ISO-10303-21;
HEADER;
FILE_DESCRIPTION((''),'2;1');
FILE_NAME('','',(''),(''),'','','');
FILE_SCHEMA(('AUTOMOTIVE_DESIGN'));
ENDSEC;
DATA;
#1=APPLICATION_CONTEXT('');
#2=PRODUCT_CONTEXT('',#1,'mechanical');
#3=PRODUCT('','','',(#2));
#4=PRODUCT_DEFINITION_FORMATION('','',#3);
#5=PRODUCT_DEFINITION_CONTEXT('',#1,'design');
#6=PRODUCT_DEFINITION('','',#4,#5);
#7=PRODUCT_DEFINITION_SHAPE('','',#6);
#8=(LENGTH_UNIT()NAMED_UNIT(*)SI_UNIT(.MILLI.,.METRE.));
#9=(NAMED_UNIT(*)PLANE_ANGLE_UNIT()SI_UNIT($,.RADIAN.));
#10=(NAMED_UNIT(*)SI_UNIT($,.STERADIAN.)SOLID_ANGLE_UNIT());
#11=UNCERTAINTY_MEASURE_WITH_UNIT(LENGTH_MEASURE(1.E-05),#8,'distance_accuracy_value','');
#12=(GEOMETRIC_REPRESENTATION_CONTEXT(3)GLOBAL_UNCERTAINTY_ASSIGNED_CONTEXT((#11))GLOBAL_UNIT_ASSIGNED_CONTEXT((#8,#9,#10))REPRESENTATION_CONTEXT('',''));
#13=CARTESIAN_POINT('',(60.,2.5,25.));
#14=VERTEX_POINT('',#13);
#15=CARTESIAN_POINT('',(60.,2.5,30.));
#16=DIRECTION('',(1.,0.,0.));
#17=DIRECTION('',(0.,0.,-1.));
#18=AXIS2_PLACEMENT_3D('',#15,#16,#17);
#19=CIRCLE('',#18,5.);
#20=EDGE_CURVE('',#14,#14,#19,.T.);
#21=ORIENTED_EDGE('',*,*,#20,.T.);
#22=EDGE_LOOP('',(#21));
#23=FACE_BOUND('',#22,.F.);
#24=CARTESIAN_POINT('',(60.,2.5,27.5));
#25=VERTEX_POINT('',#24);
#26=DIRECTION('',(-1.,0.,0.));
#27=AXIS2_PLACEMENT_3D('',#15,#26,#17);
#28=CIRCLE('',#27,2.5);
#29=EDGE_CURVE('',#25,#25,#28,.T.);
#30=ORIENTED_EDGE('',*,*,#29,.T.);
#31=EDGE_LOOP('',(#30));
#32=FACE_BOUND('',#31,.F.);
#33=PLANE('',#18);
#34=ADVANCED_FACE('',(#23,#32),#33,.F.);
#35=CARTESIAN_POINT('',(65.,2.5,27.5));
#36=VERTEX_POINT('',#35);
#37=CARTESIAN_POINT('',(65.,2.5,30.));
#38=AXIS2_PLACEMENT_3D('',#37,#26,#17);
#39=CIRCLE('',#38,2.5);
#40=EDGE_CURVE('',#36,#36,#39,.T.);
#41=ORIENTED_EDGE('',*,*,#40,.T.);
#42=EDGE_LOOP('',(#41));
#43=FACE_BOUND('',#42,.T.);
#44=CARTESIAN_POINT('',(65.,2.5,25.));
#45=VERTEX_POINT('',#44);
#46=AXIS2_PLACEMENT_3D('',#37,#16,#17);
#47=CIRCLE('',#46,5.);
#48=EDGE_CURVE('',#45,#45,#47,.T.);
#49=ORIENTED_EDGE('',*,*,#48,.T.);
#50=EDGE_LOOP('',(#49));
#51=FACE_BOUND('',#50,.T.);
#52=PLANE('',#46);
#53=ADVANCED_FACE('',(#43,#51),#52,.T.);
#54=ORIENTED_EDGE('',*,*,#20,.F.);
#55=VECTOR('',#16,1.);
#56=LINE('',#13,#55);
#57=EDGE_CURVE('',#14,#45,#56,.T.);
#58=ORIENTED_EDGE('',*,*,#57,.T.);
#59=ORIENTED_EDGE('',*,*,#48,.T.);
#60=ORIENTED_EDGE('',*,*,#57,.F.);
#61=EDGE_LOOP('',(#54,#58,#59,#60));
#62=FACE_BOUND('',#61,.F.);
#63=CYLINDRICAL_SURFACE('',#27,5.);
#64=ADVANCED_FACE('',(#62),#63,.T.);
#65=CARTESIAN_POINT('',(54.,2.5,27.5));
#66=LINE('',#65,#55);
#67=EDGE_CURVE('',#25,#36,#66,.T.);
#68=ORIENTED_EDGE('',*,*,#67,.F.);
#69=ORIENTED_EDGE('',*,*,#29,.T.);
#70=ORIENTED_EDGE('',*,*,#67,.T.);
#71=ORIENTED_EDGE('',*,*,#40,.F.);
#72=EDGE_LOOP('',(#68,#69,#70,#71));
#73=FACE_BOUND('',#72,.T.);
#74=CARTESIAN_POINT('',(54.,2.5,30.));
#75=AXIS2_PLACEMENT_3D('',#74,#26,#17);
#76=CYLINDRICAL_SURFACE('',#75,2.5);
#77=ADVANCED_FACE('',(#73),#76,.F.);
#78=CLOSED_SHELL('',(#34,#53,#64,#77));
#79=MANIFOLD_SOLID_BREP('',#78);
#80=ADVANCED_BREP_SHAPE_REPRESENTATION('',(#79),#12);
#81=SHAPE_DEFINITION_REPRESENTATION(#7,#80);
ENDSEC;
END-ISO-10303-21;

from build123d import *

# Parameters (mm, degrees)
CYLINDER017_R          = 2.5
CYLINDER017_DEPTH      = 25
CYLINDER016_R          = 5
CYLINDER016_DEPTH      = 5
CUT010_PLACEMENT_ANGLE = 90


with BuildPart() as rotor007:
    # Cylinder017 → Cylinder017 (new body)
    with BuildSketch(Plane(origin=(25, 25, 43), x_dir=(1, 0, 0), z_dir=(0, 0, 1))):
        Circle(CYLINDER017_R)
    extrude(amount=CYLINDER017_DEPTH)


with BuildPart() as e001:
    # Cylinder016 → Cylinder016 (new body)
    with BuildSketch(Plane(origin=(25, 25, 49), x_dir=(1, 0, 0), z_dir=(0, 0, 1))):
        Circle(CYLINDER016_R)
    extrude(amount=CYLINDER016_DEPTH)

    # Cut010: cut Rotor007
    add(rotor007.part, mode=Mode.SUBTRACT)


with BuildPart() as e001_1:
    # Cut010 placement: moved
    add(e001.part.moved(Location((11, -22.5, 55))).rotate(Axis((11, -22.5, 55), (0, 1, 0)), CUT010_PLACEMENT_ANGLE))


solid = e001_1.part
